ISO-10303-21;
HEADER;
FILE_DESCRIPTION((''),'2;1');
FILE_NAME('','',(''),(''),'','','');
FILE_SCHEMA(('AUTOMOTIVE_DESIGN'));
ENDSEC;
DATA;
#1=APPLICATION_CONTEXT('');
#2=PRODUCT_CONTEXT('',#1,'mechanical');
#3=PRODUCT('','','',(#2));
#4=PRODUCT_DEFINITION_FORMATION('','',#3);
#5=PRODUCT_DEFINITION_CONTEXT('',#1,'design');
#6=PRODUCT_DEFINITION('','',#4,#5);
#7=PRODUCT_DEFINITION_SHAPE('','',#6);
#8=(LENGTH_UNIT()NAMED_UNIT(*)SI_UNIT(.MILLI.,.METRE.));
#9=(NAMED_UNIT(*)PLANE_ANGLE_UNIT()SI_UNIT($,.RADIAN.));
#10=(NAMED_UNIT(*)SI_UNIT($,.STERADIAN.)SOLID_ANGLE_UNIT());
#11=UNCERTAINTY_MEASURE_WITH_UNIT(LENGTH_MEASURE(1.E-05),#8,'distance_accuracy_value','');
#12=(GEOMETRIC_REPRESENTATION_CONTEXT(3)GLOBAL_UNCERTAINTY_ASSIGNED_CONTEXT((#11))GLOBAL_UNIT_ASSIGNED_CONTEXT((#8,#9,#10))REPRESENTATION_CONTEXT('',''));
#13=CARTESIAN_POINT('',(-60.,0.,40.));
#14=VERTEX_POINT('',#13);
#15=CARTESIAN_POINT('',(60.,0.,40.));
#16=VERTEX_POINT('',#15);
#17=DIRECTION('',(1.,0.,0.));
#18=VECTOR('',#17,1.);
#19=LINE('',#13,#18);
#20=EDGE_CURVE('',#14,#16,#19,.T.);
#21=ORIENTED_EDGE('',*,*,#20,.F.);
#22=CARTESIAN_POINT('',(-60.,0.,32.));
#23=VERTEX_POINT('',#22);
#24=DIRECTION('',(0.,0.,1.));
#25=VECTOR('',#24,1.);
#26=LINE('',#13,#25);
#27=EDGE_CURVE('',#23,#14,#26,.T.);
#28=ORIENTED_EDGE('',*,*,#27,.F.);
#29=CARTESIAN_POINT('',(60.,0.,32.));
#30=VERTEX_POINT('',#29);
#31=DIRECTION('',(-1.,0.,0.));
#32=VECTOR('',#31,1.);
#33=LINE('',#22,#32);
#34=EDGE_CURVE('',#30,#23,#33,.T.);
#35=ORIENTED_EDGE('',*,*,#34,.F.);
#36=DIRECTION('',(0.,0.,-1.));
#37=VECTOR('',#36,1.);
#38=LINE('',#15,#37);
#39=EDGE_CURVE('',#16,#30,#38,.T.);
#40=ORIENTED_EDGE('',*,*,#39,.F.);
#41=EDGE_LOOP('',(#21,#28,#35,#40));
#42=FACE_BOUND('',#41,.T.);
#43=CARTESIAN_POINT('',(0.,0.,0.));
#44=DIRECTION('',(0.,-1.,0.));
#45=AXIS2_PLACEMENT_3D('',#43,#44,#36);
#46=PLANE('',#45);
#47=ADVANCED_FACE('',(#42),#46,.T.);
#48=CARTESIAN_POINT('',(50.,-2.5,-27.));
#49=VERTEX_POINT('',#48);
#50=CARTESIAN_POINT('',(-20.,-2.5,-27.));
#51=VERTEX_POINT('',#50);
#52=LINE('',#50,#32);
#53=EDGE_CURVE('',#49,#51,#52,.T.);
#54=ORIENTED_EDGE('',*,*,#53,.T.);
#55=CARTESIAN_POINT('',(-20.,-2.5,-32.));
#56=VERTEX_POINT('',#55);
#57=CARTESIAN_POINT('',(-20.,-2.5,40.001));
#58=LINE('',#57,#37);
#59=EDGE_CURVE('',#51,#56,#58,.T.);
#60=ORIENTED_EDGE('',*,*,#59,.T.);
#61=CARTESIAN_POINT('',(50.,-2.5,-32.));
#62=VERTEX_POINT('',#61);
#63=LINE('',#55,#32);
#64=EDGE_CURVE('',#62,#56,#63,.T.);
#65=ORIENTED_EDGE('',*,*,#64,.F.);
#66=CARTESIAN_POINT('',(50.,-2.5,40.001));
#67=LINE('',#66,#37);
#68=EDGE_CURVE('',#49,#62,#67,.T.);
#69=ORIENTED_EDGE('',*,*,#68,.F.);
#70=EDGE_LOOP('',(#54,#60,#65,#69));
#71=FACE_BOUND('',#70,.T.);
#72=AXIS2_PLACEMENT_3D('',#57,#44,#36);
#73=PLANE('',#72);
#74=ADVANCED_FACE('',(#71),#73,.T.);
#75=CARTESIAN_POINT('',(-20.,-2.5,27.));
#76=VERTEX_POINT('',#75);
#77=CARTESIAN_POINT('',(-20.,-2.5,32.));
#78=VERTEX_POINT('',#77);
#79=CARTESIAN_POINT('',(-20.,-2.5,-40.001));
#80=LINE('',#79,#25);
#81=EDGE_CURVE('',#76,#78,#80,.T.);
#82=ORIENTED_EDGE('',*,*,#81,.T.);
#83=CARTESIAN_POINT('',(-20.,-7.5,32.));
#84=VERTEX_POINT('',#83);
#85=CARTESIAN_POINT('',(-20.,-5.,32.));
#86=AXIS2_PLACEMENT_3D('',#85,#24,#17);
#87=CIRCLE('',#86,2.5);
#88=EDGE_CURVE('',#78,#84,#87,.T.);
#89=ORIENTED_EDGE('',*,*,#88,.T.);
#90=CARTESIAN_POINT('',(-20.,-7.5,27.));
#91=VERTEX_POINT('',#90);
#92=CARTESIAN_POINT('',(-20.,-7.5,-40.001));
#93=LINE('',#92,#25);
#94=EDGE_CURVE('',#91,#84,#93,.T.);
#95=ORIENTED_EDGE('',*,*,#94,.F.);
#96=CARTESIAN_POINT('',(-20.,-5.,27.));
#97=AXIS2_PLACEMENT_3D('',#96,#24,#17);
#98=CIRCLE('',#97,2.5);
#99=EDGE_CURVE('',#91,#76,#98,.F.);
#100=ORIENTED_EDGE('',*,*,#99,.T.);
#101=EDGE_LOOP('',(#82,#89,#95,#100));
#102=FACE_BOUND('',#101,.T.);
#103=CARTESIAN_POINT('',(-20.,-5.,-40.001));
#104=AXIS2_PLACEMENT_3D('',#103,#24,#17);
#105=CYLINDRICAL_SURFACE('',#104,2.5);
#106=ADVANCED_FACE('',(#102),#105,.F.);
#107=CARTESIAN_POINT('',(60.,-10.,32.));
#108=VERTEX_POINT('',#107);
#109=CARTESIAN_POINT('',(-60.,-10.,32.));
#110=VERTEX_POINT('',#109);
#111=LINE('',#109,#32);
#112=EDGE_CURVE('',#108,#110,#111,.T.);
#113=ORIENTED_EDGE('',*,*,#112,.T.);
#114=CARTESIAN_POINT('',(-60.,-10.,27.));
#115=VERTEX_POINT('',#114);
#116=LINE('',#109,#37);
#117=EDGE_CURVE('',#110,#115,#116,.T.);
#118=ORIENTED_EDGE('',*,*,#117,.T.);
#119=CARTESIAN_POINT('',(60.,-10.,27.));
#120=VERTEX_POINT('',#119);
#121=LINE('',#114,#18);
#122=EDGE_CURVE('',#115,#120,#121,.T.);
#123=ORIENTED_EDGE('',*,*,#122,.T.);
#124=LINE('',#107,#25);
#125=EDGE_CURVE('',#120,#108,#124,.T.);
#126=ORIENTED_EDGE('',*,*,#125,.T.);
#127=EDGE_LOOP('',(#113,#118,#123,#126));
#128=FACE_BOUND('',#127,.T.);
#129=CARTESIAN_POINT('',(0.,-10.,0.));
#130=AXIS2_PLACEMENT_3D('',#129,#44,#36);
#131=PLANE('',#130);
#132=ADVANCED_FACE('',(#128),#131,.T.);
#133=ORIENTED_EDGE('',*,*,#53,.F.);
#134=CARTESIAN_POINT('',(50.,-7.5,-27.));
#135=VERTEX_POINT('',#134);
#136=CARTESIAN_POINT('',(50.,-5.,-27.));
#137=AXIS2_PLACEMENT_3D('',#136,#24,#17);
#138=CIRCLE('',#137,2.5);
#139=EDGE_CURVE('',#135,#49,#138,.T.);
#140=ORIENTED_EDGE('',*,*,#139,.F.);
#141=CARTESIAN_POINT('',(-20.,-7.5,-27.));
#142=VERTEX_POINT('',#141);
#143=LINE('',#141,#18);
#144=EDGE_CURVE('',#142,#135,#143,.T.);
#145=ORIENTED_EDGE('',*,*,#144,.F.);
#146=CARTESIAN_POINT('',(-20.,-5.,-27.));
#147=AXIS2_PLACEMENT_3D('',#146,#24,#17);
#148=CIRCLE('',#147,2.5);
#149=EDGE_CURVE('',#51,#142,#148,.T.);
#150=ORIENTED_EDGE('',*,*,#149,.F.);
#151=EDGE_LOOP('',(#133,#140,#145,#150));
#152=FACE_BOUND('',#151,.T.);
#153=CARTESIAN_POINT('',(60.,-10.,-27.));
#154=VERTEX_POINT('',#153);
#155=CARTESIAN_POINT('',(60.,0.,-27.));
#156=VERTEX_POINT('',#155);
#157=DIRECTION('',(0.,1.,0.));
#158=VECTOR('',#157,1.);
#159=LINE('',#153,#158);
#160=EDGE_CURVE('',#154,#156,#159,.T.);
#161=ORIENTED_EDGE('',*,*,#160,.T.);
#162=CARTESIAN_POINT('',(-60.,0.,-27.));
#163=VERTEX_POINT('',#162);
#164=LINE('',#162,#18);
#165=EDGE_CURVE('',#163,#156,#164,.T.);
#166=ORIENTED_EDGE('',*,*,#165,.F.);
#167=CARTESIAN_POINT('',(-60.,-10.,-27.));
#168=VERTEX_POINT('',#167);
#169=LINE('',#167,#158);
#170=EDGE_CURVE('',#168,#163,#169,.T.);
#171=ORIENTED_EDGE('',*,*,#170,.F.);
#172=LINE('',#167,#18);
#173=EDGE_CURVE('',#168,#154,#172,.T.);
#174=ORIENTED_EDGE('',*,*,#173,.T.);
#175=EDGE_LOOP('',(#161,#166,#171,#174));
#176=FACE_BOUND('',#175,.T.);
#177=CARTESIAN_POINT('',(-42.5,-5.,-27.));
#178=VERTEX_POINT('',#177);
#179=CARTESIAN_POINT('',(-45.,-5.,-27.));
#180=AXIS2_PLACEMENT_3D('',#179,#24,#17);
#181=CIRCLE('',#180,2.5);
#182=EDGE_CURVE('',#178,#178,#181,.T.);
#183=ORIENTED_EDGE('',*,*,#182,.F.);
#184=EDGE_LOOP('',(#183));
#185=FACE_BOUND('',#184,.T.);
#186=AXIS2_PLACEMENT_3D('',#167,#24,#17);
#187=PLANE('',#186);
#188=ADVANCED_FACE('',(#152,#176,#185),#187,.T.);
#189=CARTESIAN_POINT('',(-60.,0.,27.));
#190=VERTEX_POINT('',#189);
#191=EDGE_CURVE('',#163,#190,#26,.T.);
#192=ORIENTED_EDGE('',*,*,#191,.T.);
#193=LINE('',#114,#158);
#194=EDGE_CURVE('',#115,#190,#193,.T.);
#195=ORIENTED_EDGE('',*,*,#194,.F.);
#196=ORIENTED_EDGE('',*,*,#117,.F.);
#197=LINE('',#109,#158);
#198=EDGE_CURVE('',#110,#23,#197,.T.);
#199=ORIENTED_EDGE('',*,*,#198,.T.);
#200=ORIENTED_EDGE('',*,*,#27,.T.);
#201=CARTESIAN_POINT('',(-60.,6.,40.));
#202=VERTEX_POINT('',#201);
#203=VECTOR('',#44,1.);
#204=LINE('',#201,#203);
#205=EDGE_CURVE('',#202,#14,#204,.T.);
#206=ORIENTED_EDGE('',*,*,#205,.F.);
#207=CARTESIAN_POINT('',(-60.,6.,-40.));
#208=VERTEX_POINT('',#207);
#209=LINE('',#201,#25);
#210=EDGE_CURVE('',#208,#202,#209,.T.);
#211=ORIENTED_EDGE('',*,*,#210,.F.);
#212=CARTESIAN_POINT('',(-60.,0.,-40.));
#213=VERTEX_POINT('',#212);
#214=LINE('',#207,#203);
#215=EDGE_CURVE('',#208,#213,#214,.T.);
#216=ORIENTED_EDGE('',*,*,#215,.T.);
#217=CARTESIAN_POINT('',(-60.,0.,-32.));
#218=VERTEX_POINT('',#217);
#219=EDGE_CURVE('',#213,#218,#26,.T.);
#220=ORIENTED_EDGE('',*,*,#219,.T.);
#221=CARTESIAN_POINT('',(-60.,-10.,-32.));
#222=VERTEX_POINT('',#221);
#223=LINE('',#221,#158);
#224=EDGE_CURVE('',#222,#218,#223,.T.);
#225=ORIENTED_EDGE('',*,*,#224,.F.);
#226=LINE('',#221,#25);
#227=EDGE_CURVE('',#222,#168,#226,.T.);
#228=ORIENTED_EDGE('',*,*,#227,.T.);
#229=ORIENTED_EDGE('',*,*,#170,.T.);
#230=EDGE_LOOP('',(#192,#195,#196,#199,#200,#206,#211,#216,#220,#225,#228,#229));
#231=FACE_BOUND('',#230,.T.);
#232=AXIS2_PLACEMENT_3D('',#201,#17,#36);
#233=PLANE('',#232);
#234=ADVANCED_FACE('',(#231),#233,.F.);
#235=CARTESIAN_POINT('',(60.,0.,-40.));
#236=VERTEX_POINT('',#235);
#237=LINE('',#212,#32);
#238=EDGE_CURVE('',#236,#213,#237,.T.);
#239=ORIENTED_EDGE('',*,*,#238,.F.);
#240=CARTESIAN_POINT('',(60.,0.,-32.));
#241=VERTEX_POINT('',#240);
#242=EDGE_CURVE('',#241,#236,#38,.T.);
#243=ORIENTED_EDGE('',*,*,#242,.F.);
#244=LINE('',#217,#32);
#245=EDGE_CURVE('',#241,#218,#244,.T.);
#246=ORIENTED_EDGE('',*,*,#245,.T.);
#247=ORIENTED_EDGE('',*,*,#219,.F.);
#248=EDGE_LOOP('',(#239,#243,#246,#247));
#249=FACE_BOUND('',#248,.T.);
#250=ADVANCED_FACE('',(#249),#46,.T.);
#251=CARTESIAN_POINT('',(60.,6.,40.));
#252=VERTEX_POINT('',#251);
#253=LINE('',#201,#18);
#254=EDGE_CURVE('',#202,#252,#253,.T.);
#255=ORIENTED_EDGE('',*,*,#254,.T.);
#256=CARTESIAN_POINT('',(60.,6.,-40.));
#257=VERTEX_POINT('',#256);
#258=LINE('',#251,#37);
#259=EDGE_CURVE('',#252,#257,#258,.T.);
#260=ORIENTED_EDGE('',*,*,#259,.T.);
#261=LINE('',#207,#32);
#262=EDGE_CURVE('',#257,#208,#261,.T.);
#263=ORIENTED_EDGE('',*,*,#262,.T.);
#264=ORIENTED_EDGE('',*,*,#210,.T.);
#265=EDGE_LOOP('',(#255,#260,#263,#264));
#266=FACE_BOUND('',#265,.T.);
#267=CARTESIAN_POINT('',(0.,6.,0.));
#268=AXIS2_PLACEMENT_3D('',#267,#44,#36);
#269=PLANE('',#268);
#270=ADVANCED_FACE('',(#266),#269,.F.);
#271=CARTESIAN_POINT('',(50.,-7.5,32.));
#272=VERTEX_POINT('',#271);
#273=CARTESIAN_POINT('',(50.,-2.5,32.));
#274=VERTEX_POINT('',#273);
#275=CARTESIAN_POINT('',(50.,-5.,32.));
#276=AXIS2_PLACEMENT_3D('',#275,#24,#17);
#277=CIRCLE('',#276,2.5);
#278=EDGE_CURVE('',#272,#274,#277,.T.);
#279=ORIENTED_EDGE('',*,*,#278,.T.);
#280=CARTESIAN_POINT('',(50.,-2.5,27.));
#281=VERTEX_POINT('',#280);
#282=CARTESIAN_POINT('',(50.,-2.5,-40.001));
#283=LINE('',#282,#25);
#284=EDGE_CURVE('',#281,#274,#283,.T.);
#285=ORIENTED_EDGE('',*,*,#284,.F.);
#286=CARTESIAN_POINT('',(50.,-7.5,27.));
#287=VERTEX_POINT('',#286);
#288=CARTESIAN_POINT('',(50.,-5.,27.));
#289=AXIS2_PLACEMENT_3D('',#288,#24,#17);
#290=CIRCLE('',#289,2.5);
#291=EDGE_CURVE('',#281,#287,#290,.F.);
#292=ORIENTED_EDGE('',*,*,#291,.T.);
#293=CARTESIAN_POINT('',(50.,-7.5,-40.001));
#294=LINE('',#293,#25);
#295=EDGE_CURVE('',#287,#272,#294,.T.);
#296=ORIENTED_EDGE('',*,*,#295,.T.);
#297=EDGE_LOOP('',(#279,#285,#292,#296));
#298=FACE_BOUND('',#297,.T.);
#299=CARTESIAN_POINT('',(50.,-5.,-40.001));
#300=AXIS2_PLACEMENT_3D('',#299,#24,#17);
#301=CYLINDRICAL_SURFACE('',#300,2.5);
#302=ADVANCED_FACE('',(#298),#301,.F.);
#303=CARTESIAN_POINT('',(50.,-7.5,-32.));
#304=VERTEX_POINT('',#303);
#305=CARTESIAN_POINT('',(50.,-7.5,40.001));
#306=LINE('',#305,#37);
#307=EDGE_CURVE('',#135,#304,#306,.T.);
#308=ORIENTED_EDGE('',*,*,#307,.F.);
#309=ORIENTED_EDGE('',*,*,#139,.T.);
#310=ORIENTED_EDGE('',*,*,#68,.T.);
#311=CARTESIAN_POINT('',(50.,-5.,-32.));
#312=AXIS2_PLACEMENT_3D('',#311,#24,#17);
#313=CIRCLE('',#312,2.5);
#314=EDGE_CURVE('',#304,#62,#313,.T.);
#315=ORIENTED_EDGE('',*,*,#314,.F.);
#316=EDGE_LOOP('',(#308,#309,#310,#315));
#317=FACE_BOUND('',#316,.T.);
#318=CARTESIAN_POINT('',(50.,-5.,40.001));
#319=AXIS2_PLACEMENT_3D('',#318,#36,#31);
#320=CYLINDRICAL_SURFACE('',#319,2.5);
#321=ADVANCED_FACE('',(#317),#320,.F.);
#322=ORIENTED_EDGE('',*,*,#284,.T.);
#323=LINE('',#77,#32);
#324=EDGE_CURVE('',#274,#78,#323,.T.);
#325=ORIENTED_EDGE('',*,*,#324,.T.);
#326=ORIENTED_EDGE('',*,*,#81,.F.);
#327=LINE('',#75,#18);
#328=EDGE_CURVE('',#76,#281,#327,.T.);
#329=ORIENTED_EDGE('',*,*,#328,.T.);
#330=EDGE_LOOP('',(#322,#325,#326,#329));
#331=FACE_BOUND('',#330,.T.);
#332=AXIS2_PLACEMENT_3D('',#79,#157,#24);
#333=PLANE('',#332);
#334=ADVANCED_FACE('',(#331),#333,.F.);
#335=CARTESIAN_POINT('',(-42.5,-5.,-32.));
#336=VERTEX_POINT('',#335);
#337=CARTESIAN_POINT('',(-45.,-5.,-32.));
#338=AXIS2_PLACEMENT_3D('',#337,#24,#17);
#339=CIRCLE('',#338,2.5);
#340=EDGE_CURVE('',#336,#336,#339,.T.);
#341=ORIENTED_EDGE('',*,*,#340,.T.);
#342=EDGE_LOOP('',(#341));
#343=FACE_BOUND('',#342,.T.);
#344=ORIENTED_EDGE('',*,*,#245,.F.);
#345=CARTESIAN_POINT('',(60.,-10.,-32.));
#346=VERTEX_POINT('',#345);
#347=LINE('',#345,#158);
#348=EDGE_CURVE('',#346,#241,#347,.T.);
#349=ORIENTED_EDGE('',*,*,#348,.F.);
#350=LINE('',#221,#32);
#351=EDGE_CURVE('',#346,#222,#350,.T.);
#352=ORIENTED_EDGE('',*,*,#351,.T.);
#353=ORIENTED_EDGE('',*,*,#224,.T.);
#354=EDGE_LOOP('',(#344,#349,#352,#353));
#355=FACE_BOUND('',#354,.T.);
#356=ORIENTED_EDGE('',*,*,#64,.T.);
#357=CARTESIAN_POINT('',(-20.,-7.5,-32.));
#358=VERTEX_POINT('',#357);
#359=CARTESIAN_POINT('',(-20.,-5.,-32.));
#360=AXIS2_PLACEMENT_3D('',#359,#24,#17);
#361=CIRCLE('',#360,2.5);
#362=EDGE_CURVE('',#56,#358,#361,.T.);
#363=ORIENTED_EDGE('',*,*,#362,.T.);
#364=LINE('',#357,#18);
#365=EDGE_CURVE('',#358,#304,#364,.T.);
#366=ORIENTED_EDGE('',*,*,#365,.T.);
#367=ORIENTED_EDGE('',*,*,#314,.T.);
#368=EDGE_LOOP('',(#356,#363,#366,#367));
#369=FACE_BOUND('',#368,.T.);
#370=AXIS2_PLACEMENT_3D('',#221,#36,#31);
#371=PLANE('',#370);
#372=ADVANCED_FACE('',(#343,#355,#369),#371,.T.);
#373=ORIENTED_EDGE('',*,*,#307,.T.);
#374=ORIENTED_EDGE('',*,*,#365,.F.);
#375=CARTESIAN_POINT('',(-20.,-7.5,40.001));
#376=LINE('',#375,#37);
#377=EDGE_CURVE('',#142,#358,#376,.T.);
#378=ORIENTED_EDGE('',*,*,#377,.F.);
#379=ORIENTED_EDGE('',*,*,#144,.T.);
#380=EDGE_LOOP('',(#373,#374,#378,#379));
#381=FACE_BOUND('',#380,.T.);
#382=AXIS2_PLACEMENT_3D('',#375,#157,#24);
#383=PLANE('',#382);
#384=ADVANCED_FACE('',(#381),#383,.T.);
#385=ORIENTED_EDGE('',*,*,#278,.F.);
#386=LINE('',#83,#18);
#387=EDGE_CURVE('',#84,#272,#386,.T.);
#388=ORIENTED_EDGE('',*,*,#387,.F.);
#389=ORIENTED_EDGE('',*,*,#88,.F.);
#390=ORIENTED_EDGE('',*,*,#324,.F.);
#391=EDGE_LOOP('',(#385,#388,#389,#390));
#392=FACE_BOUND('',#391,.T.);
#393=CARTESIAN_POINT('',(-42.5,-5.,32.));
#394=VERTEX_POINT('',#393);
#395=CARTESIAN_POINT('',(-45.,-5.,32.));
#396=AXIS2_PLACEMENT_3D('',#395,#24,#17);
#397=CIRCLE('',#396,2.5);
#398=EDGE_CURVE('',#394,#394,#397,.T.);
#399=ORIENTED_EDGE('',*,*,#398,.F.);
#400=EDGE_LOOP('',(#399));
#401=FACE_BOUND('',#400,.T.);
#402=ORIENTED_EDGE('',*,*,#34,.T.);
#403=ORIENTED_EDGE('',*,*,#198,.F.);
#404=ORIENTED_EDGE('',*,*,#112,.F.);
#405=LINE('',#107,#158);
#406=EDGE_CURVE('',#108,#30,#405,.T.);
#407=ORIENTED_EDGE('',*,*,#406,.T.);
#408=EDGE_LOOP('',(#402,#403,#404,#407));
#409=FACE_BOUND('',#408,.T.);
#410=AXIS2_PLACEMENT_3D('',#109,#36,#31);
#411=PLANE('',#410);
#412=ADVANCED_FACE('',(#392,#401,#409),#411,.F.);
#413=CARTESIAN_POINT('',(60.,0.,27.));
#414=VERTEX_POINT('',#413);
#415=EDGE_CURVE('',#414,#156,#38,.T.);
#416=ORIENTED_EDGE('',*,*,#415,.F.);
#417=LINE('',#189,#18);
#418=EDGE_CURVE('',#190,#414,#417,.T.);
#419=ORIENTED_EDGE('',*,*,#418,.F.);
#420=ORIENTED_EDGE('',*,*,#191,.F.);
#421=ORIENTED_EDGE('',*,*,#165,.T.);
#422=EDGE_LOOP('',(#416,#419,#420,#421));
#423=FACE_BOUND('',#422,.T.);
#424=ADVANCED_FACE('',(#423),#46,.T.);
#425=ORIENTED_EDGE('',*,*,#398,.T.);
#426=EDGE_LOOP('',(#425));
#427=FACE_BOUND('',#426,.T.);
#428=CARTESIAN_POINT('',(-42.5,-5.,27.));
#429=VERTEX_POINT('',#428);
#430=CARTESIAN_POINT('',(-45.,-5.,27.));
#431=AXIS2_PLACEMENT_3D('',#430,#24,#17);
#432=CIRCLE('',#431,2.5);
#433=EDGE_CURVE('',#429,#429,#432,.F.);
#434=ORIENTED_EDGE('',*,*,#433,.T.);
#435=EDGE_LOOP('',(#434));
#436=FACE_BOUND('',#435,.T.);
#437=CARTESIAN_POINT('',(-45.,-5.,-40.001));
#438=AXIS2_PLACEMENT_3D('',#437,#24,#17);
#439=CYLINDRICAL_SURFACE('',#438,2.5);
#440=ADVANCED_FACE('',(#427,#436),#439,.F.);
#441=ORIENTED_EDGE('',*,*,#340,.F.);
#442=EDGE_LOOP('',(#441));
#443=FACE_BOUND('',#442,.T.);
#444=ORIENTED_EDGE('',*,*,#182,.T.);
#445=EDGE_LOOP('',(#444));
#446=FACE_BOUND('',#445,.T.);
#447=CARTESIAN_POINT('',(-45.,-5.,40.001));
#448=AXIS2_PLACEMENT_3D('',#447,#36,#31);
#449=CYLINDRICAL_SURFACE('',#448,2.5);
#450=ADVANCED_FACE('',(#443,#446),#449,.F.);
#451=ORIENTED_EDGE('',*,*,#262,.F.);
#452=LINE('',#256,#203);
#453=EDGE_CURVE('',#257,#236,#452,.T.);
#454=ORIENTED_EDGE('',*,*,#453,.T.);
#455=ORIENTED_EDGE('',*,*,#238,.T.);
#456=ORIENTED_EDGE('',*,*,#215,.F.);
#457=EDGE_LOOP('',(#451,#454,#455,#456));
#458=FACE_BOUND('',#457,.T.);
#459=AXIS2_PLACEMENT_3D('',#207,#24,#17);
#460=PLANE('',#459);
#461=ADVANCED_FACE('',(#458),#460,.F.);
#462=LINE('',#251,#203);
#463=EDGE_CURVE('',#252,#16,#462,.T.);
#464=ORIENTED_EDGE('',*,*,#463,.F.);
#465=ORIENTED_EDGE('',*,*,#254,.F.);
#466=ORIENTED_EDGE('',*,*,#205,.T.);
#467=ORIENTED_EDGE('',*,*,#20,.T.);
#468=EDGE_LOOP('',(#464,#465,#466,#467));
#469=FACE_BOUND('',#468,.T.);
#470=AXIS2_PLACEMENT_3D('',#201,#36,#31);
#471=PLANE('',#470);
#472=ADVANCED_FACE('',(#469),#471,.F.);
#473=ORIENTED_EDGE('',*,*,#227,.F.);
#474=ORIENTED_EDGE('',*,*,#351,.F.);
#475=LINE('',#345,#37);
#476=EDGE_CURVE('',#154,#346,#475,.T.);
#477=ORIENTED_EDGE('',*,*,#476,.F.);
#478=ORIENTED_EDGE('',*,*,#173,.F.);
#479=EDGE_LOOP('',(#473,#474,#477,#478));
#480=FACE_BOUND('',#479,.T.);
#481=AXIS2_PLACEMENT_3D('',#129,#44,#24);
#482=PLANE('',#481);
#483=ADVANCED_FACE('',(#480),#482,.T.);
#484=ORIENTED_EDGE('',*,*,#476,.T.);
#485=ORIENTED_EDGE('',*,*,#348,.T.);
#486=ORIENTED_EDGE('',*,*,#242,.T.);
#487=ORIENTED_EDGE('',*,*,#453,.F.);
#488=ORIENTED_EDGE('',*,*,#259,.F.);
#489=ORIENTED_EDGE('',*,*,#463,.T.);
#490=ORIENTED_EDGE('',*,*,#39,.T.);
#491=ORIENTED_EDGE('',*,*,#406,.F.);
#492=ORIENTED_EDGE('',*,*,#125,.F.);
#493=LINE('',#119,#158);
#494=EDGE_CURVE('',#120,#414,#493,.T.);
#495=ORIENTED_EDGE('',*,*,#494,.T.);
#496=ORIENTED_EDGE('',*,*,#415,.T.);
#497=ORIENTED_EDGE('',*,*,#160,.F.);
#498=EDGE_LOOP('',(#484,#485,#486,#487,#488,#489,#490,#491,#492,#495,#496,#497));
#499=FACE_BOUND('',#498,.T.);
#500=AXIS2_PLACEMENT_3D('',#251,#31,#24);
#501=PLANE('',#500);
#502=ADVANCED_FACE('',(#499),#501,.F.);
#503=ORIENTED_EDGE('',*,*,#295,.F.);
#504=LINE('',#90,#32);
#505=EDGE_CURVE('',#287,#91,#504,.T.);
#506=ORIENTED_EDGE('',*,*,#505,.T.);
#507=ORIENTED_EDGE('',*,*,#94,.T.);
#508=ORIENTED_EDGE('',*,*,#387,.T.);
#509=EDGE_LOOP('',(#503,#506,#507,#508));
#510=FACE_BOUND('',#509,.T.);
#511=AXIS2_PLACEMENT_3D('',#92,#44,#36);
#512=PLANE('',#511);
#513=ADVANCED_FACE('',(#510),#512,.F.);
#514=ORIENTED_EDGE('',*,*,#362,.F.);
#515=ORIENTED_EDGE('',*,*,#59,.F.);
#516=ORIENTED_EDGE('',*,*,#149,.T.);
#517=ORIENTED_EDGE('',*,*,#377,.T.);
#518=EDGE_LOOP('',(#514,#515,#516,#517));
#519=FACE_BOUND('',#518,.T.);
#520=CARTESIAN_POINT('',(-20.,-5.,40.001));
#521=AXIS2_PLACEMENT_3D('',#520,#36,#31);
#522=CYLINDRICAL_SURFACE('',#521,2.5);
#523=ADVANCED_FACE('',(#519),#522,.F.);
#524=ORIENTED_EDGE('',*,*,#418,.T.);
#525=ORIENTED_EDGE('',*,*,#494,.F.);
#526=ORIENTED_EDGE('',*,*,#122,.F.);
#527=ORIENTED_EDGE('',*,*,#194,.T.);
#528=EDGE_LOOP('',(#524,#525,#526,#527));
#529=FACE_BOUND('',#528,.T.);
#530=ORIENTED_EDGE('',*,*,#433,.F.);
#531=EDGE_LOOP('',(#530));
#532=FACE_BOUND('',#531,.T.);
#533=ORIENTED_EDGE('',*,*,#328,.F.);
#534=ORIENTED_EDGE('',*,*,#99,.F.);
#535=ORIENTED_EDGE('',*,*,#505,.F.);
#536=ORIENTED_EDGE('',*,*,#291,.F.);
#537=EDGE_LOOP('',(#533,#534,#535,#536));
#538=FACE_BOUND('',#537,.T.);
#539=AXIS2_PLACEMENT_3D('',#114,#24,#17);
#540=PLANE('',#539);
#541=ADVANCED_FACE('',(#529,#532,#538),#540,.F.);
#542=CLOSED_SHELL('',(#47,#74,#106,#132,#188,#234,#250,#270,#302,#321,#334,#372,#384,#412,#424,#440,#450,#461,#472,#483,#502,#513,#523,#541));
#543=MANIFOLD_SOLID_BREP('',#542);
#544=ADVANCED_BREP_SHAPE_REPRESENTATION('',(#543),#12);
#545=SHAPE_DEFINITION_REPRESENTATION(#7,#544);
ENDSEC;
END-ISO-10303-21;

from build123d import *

# Parameters (mm, degrees)
SKETCH_1_W          = 120
SKETCH_1_H          = 80
EXTRUDE_1_DEPTH     = 6
SKETCH_10_W         = 120
SKETCH_10_H         = 5
EXTRUDE_3_DEPTH     = 10
SKETCH_11_R         = 2.5
CUT_EXTRUDE_1_DEPTH = 5


with BuildPart() as part:
    # 草圖1 → 填料-伸長1 (new body)
    with BuildSketch(Plane(origin=(0, 0, 0), x_dir=(1, 0, 0), z_dir=(0, 1, 0))):
        Rectangle(SKETCH_1_W, SKETCH_1_H)
    extrude(amount=EXTRUDE_1_DEPTH)

    # 草圖10 → 填料-伸長3 (add)
    with BuildSketch(Plane.XZ):
        with Locations((0, 29.5)):
            Rectangle(SKETCH_10_W, SKETCH_10_H)
    extrude_3 = extrude(amount=EXTRUDE_3_DEPTH)

    # 草圖11 → 除料-伸長1 (cut)
    with BuildSketch(Plane.XY.offset(32)):
        with Locations((-45, -5)):
            Circle(SKETCH_11_R)
        with BuildLine():
            Line((-20, -2.5), (50, -2.5))
            ThreePointArc((50, -2.5), (52.5, -5), (50, -7.5))
            Line((50, -7.5), (-20, -7.5))
            ThreePointArc((-20, -7.5), (-22.5, -5), (-20, -2.5))
        make_face()
    cut_extrude_1 = extrude(amount=-CUT_EXTRUDE_1_DEPTH, mode=Mode.SUBTRACT)

    # 鏡射3: 填料-伸長3, 除料-伸長1 across plane
    add(extrude_3.mirror(Plane.XY))
    add(cut_extrude_1.mirror(Plane.XY), mode=Mode.SUBTRACT)


solid = part.part
